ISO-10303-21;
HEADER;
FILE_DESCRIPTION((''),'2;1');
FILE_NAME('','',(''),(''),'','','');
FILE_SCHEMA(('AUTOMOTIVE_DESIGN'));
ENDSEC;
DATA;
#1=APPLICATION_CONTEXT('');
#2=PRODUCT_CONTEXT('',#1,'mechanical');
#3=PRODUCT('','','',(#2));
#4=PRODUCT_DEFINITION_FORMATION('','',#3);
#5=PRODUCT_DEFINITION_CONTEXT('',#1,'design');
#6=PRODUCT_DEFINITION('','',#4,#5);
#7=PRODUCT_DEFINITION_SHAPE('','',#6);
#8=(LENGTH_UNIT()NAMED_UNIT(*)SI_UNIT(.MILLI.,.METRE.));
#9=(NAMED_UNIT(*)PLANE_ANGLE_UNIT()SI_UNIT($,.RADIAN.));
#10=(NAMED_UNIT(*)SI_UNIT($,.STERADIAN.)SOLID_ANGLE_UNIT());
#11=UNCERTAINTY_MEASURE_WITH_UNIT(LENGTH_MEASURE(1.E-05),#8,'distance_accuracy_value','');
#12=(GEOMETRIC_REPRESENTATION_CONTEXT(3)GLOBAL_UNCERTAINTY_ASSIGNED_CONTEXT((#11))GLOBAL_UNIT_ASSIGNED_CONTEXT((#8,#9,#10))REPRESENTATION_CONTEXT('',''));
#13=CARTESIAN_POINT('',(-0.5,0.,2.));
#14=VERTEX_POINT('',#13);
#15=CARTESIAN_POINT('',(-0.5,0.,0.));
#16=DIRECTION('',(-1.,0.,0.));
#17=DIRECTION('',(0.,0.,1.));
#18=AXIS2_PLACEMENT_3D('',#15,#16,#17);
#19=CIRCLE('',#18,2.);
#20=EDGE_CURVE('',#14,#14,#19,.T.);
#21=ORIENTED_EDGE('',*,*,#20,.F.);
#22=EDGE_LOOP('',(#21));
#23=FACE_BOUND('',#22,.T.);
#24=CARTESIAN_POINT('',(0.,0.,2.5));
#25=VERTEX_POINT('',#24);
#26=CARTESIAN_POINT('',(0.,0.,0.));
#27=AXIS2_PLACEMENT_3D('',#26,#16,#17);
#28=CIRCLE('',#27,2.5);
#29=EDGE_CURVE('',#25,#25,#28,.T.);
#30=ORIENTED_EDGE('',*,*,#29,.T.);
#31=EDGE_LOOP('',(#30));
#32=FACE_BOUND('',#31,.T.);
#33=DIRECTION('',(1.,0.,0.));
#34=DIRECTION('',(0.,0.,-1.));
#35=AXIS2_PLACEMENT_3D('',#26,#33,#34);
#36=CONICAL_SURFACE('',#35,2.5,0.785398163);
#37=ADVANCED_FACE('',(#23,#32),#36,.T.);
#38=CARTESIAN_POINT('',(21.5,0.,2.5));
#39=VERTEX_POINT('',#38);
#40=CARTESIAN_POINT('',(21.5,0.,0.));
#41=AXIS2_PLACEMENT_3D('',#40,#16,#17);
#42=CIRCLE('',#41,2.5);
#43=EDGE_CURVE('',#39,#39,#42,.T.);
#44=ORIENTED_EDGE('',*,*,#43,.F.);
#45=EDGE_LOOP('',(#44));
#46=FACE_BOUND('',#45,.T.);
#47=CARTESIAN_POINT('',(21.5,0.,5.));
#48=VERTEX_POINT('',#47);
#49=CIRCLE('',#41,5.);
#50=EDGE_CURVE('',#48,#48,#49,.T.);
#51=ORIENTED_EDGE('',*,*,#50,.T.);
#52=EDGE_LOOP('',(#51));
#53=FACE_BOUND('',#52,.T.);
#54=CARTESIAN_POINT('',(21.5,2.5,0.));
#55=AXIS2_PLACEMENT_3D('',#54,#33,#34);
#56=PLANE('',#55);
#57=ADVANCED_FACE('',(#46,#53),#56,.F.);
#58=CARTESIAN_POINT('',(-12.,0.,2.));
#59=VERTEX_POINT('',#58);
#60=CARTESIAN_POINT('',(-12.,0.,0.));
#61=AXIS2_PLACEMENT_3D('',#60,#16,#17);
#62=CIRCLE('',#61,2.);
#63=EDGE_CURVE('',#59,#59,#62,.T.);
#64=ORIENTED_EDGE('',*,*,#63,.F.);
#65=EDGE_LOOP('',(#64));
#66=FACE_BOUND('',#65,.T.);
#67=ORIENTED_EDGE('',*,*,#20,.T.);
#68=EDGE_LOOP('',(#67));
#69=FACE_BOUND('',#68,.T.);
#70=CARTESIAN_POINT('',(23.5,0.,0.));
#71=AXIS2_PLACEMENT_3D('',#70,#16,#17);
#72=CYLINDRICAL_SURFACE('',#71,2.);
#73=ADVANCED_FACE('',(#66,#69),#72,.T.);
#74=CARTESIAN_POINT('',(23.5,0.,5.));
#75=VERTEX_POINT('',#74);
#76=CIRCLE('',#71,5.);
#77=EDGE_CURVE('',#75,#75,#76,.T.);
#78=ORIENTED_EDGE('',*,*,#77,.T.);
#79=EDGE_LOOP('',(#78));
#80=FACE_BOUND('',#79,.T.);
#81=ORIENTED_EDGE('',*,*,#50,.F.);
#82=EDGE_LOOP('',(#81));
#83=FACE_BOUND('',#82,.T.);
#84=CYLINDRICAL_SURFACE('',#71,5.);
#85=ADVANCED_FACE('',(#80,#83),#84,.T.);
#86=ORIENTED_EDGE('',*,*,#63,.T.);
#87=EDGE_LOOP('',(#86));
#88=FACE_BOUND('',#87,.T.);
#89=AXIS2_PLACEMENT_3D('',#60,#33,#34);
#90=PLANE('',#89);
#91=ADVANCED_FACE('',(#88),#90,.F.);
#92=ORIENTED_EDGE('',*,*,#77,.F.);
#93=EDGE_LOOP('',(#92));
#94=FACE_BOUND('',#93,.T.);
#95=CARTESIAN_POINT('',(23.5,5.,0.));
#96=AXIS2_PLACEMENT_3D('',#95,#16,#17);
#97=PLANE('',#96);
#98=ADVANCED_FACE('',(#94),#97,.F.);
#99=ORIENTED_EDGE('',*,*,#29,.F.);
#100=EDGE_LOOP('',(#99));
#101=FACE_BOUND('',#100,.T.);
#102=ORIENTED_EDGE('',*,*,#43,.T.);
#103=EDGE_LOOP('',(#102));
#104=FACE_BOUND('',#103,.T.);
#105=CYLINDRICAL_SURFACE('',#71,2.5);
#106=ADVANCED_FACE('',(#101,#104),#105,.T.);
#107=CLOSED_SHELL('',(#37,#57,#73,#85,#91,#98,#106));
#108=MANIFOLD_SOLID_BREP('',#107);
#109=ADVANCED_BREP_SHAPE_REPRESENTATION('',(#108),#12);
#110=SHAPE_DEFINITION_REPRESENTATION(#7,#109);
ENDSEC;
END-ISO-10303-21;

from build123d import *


with BuildPart() as part:
    # 草图1 → 旋转1 (revolve)
    with BuildSketch(Plane.XY, mode=Mode.PRIVATE) as revolve_1_sk:
        Polygon((-12, 0), (-12, 2), (-0.5, 2), (0, 2.5), (21.5, 2.5), (21.5, 5), (23.5, 5), (23.5, 0), align=None)
    revolve(revolve_1_sk.sketch.rotate(Axis((23.5, 0, 0), (-1, 0, 0)), 270), axis=Axis((23.5, 0, 0), (-1, 0, 0)))


solid = part.part
